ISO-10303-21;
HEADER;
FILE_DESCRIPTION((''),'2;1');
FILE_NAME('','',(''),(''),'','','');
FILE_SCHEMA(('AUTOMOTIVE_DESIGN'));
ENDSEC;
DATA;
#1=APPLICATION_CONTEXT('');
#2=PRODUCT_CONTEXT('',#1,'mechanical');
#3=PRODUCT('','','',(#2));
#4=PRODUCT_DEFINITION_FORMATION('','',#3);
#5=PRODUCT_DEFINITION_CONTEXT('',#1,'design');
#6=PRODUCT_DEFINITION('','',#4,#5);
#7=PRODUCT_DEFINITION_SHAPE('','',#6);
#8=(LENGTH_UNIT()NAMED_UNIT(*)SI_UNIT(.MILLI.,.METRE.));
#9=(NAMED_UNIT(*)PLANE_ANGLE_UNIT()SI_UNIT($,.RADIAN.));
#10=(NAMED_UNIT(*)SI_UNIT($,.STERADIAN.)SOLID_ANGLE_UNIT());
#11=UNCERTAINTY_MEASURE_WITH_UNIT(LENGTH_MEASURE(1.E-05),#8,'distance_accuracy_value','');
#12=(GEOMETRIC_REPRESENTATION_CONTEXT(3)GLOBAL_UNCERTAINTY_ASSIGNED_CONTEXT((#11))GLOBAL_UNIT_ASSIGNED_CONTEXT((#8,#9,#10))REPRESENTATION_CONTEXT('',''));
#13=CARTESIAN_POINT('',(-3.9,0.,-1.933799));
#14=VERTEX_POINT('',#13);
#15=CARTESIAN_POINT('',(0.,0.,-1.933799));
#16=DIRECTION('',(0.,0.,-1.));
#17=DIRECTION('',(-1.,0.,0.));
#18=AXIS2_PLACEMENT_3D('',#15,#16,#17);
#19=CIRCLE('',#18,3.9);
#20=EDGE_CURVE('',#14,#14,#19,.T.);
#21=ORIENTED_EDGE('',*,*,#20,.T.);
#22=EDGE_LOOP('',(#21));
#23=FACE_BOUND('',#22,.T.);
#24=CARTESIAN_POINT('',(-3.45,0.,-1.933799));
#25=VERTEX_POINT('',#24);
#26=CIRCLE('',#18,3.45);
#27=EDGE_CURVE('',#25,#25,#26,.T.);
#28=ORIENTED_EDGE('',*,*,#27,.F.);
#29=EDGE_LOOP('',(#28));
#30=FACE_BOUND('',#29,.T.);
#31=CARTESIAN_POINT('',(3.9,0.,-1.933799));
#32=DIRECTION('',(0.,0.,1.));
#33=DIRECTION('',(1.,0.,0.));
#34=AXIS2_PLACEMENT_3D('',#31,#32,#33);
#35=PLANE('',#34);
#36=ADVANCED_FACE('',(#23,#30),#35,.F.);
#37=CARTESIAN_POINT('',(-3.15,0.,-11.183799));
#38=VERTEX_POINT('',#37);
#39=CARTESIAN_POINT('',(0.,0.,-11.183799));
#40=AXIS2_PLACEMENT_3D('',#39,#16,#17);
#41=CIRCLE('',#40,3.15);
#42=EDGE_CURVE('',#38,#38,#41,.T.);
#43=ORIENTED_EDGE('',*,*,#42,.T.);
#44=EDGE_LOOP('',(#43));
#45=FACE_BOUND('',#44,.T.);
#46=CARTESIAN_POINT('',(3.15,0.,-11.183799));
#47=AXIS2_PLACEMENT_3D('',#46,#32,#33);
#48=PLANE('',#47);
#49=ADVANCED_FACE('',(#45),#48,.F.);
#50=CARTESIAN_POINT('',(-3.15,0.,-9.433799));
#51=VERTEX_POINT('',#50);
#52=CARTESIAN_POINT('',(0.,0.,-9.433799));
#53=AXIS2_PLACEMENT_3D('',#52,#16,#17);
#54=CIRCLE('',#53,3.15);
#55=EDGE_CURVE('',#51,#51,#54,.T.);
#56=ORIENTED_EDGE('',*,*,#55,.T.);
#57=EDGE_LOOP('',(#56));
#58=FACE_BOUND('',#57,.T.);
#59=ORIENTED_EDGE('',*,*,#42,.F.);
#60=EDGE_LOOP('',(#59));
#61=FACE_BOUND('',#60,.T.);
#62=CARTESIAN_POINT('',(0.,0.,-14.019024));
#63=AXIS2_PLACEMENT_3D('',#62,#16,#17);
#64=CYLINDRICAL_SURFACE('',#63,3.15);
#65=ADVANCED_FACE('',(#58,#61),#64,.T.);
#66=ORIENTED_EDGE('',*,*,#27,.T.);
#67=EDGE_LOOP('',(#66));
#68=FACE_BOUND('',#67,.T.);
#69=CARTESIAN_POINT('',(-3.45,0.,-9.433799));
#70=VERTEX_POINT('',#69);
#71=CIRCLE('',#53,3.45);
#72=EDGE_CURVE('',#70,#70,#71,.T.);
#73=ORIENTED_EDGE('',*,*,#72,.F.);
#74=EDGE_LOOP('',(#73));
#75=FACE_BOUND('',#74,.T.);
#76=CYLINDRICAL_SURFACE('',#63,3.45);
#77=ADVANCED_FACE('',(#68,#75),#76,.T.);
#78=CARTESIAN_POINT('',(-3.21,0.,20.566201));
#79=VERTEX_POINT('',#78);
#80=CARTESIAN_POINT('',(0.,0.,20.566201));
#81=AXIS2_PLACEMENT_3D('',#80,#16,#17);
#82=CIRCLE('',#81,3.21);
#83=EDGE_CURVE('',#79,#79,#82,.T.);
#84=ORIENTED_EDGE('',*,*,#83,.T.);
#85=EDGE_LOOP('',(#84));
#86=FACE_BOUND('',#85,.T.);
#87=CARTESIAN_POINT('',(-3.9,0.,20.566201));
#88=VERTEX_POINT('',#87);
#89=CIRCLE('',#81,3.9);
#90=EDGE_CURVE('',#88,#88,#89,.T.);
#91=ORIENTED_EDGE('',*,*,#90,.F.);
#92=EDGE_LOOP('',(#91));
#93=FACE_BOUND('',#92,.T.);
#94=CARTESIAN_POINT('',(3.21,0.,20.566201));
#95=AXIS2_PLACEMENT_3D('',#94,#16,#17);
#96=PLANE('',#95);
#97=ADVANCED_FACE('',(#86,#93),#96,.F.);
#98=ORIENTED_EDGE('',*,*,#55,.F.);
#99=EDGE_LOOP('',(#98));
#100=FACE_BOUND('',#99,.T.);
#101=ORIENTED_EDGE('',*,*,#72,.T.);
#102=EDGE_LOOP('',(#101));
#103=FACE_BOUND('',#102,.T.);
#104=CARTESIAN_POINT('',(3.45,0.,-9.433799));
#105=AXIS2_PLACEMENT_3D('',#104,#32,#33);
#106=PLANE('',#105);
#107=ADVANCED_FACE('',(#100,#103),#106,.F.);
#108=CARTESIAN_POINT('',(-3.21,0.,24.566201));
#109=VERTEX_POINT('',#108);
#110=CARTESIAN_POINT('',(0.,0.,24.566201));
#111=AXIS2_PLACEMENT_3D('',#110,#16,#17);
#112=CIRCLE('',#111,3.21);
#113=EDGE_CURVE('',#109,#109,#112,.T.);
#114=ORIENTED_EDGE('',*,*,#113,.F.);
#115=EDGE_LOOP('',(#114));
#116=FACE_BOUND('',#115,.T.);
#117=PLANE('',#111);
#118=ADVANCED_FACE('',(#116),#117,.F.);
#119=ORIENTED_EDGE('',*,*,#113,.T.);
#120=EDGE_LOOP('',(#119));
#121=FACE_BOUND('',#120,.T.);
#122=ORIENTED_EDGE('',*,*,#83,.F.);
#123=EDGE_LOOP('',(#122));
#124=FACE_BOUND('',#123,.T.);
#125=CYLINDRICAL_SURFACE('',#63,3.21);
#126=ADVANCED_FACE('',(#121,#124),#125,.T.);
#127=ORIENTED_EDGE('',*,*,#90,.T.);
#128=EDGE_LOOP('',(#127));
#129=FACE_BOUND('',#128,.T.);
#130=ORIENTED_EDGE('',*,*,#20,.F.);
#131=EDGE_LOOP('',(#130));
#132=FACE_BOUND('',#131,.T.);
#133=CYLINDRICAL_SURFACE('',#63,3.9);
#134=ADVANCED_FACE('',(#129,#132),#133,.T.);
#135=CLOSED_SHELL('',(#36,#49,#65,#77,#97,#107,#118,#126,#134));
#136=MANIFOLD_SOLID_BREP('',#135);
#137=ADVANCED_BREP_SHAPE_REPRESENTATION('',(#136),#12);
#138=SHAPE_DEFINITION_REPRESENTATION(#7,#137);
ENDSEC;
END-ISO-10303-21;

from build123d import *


with BuildPart() as part:
    # Sketch2 → Revolve2 (revolve)
    with BuildSketch(Plane(origin=(0, 0, 0), x_dir=(1, 0, 0), z_dir=(0, 1, 0)), mode=Mode.PRIVATE) as revolve2_sk:
        Polygon((0, 11.183798979), (0, -24.566201021), (3.21, -24.566201021), (3.21, -20.566201021), (3.9, -20.566201021), (3.9, 1.933798979), (3.45, 1.933798979), (3.45, 9.433798979), (3.15, 9.433798979), (3.15, 11.183798979), align=None)
    revolve(revolve2_sk.sketch.rotate(Axis((0, 0, -14.019023545), (0, 0, 1)), 180), axis=Axis((0, 0, -14.019023545), (0, 0, 1)))


solid = part.part
